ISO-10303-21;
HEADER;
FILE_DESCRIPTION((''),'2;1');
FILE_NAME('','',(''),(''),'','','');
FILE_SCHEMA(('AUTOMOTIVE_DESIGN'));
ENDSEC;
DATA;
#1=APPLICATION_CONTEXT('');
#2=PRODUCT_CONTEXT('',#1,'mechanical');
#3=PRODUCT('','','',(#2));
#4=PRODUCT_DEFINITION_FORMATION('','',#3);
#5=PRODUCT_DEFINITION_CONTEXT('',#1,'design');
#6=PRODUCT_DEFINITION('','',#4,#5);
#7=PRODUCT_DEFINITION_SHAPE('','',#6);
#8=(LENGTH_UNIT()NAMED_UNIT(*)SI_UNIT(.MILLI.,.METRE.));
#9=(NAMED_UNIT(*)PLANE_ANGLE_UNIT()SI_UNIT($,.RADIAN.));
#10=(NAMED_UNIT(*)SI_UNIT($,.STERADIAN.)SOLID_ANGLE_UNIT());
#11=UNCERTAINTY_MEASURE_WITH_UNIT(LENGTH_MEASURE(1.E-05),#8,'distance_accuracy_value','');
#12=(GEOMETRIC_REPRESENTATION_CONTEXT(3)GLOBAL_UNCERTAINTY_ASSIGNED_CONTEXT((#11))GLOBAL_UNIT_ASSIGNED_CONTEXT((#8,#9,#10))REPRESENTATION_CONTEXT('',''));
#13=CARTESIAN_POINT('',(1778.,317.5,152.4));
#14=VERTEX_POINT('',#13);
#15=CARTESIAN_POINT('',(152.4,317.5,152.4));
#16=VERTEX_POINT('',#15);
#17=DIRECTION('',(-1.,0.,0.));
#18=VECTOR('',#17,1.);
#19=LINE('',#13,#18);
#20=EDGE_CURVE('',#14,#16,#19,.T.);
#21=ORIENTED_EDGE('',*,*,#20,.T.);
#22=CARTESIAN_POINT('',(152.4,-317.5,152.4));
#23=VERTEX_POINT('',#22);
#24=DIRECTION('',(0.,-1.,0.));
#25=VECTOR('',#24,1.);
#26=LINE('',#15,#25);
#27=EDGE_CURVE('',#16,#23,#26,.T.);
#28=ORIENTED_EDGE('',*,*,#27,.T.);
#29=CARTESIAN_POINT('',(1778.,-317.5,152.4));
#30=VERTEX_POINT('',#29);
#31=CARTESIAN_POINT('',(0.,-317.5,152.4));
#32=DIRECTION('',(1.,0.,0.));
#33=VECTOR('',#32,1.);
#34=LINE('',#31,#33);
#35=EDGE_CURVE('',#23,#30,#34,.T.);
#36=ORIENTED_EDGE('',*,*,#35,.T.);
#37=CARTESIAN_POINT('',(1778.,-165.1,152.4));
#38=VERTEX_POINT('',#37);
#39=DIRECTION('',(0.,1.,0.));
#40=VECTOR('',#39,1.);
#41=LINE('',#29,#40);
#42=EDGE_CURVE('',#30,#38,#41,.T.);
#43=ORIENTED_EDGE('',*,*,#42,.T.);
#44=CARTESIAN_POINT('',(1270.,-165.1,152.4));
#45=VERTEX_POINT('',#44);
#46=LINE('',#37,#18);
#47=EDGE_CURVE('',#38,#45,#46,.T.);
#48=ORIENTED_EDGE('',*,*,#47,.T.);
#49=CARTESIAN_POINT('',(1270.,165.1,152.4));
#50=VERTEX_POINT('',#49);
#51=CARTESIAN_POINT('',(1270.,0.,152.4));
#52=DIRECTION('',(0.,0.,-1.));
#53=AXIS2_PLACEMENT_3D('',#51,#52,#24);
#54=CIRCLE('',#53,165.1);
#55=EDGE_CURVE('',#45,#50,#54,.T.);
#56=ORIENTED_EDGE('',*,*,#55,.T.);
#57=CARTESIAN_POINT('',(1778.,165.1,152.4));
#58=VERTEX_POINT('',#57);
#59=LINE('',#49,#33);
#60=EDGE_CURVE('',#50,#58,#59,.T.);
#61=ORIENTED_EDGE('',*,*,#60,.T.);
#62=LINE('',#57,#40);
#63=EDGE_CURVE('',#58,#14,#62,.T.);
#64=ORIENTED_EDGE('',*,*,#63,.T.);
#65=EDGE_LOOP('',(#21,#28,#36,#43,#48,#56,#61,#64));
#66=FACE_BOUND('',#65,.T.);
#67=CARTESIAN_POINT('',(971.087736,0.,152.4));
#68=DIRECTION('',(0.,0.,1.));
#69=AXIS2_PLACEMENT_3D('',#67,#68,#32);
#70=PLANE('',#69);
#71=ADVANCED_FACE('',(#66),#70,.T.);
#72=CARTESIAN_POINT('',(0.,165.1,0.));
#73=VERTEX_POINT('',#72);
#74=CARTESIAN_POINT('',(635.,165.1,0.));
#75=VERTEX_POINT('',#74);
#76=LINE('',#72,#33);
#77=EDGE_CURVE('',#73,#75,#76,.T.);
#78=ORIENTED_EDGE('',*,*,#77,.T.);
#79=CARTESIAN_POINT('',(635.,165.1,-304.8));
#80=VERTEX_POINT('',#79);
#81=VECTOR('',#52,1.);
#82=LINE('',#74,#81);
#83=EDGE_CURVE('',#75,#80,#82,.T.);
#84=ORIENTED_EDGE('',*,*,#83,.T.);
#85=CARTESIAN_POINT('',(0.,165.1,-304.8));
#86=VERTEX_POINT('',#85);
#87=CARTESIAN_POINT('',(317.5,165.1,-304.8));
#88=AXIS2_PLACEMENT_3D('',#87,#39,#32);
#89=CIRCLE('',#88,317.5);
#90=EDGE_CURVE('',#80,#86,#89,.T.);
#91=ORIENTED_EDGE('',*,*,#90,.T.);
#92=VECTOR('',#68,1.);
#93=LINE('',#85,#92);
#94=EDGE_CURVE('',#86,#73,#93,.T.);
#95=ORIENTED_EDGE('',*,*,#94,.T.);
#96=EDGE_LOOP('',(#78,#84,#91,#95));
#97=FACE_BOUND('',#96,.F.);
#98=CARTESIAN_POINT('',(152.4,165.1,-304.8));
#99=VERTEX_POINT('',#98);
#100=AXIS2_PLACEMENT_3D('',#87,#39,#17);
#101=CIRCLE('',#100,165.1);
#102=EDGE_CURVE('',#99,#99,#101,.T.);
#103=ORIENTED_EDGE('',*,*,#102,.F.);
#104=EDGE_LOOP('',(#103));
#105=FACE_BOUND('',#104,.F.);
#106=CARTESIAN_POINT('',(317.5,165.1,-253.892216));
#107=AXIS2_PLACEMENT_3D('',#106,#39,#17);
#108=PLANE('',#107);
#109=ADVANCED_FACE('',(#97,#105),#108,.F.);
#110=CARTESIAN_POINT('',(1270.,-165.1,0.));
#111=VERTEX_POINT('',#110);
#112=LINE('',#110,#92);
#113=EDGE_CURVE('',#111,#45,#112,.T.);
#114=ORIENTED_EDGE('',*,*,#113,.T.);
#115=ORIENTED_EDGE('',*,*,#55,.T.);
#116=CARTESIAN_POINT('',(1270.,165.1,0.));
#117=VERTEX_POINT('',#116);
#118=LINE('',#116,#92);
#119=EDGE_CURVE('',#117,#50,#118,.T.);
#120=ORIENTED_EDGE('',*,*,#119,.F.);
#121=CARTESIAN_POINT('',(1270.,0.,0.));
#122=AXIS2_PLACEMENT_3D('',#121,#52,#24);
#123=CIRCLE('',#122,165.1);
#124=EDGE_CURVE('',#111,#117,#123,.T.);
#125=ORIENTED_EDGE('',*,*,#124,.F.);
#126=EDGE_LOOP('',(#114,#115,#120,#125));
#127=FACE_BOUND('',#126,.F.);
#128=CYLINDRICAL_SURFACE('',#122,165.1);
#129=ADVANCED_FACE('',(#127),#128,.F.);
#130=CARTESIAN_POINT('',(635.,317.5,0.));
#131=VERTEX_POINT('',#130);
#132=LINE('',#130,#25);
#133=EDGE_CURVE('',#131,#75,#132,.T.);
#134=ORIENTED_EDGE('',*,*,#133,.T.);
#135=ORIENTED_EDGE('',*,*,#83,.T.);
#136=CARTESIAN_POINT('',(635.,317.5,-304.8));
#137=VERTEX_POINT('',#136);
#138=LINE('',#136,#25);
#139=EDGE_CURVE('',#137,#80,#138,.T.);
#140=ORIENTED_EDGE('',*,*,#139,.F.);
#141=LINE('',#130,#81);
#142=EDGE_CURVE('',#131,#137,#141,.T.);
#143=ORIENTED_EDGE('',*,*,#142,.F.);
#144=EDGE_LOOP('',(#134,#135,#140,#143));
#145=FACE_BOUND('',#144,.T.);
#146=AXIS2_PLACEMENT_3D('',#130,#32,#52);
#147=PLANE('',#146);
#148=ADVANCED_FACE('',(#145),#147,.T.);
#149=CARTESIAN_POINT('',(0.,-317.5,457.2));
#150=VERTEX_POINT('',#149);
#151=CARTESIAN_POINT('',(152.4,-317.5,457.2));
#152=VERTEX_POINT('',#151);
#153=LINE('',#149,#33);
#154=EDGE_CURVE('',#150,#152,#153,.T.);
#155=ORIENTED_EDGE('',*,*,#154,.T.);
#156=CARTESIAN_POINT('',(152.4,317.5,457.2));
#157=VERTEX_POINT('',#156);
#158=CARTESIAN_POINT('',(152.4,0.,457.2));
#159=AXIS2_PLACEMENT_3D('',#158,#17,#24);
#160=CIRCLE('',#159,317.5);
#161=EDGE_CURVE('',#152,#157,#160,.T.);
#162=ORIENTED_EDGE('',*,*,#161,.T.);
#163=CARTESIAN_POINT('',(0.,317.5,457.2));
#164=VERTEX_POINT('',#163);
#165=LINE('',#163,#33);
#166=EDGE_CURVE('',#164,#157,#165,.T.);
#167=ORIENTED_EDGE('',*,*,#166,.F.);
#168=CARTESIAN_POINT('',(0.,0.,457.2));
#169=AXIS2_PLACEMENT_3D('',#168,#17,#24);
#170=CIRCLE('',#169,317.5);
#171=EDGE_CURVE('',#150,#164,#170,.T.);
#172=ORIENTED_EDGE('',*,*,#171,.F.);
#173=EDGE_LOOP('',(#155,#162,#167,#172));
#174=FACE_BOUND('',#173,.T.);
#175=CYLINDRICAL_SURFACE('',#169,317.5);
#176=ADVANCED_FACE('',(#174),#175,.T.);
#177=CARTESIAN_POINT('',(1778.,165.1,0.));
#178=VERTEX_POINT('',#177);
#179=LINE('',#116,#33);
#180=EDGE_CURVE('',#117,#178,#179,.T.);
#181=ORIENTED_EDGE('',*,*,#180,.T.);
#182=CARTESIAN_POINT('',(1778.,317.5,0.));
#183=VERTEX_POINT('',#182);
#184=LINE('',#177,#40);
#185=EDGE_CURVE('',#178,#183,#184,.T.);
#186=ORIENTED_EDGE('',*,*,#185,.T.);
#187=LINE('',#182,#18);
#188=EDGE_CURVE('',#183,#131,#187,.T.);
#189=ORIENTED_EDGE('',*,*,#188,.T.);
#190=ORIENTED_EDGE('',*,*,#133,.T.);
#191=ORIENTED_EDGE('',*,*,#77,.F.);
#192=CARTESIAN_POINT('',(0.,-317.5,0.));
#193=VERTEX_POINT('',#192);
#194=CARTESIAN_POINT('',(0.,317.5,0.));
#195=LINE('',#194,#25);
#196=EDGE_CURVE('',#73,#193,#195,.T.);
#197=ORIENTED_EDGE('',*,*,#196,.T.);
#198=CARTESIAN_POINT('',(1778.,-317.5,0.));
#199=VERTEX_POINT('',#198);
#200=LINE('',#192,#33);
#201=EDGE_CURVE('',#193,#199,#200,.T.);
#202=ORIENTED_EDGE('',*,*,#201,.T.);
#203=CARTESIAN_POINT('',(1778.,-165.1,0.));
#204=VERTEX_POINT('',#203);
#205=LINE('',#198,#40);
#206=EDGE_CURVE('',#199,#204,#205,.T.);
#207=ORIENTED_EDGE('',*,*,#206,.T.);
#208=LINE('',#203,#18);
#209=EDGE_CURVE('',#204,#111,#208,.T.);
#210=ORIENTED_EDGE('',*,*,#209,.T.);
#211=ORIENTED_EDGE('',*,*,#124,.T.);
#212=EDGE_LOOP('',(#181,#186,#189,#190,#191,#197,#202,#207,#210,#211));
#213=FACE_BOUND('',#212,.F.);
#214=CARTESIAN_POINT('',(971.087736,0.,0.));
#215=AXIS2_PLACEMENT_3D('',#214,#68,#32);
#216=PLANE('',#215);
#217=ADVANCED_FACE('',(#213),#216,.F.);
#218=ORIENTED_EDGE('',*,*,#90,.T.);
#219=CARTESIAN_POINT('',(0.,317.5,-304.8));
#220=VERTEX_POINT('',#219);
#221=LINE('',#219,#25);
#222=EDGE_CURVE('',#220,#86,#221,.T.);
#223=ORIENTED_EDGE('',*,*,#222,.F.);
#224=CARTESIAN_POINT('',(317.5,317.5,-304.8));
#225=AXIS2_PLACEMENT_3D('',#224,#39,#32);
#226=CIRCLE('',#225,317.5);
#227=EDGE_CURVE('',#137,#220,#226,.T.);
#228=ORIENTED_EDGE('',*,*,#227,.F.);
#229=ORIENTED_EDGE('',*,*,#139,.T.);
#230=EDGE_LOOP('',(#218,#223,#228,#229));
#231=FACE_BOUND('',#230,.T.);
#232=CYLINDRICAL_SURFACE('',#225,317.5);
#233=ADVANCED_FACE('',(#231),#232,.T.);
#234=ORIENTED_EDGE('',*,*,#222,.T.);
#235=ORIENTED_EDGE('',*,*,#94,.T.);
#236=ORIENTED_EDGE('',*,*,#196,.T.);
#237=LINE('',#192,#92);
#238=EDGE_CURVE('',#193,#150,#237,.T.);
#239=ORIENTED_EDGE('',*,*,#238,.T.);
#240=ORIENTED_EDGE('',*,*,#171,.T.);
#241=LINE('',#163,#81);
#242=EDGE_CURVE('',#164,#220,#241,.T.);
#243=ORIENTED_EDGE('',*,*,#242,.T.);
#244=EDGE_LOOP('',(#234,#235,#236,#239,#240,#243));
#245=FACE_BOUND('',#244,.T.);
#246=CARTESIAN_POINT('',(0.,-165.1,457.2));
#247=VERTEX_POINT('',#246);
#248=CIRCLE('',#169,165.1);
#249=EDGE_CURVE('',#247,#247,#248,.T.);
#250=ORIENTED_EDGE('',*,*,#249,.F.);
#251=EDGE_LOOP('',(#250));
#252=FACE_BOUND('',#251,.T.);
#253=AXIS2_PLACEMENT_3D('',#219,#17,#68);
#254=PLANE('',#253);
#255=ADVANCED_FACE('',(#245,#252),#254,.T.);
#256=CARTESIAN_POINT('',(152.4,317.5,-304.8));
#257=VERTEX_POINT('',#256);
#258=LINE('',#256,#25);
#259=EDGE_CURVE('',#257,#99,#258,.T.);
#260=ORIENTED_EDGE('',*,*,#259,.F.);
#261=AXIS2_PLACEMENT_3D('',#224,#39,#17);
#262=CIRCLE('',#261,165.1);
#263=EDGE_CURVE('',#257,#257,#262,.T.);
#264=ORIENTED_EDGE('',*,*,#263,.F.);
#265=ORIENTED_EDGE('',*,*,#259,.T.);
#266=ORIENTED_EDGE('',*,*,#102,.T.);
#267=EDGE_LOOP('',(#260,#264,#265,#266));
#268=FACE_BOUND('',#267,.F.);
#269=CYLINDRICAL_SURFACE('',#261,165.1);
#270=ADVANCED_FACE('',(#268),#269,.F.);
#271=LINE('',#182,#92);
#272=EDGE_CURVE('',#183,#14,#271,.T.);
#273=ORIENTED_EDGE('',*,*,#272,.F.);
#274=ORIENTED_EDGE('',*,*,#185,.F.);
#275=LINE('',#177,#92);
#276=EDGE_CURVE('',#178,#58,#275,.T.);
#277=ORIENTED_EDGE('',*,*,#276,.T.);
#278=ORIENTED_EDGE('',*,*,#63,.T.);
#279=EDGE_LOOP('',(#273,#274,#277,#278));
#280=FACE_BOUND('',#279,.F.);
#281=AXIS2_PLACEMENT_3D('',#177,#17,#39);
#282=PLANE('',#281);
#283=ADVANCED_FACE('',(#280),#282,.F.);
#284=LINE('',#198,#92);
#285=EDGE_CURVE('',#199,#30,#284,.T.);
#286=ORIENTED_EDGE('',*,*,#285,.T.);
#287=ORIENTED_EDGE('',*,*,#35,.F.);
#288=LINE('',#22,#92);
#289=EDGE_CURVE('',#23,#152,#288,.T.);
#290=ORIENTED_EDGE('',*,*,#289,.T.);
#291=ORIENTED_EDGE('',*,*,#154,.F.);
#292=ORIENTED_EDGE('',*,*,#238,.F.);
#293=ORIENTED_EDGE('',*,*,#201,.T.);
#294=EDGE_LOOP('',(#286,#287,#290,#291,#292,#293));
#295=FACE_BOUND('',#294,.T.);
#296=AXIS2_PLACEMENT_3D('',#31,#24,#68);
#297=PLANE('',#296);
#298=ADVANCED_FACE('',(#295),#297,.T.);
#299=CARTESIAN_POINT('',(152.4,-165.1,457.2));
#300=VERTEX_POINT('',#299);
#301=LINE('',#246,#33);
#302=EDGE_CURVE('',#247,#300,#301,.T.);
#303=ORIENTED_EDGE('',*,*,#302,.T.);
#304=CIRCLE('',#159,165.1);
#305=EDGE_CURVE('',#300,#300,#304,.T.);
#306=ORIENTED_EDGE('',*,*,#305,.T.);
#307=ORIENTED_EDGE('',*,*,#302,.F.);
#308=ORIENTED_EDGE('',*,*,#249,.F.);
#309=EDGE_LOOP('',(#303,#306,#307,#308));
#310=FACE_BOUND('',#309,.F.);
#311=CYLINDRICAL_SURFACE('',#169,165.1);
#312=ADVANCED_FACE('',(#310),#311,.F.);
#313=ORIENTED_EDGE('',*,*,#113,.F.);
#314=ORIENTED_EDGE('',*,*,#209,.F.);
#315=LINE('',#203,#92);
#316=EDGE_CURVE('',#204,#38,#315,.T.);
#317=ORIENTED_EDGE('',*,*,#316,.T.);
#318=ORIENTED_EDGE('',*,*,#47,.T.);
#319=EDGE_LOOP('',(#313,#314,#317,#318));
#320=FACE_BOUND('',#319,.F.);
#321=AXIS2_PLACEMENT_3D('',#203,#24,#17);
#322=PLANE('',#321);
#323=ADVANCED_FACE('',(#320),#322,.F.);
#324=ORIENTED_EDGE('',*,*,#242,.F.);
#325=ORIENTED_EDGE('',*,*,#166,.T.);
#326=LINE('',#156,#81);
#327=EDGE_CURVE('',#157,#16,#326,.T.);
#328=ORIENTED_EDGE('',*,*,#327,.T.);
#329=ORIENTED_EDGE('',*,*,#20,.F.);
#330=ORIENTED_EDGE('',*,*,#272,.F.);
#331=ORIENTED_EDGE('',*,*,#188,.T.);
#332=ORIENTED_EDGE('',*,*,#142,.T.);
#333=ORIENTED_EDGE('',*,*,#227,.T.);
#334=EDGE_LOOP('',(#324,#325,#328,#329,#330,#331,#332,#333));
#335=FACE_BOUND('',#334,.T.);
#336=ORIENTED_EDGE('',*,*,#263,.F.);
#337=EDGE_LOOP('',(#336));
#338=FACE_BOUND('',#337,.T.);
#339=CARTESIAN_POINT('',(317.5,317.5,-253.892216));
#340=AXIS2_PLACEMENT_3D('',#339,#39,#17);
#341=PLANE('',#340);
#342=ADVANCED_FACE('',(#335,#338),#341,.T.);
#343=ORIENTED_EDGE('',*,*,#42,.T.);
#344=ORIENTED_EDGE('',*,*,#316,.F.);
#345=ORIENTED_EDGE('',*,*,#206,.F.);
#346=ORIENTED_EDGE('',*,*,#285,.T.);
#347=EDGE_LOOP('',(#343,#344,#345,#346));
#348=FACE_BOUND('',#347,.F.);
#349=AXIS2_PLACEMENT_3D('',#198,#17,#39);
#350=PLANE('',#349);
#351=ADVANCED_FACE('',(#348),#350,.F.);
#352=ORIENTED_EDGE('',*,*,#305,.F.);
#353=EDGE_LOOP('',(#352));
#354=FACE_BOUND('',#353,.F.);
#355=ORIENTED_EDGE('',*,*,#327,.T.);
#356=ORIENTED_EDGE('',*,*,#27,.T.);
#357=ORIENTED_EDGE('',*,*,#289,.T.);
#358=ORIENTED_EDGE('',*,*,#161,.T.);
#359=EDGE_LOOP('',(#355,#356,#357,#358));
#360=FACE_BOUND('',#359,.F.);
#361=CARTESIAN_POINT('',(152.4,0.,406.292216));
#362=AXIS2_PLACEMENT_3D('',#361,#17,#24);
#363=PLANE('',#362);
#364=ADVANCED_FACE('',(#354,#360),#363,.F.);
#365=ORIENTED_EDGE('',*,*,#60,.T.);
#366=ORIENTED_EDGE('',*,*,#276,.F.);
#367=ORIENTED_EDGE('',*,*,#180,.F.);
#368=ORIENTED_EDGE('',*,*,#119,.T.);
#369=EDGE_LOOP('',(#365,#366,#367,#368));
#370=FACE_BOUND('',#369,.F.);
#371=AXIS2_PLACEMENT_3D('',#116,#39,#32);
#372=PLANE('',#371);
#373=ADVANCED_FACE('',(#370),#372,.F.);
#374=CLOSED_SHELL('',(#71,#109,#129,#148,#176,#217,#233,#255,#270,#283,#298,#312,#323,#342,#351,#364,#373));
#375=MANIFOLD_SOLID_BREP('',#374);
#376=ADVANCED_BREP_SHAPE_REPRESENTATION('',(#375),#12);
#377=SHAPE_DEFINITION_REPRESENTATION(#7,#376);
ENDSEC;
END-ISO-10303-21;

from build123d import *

# Parameters (mm, degrees)
F1_DEPTH = 152.4
F2_R     = 165.1
F3_DEPTH = 152.4
F4_R     = 165.1
F5_DEPTH = 152.4


with BuildPart() as f1:
    # F0 (on Top) → F1 (new body)
    with BuildSketch(Plane.XY):
        with BuildLine():
            Line((0, 317.5), (0, -317.5))
            Line((0, -317.5), (1778, -317.5))
            Line((1778, -317.5), (1778, -165.1))
            Line((1778, -165.1), (1270, -165.1))
            ThreePointArc((1270, -165.1), (1104.9, 0), (1270, 165.1))
            Line((1270, 165.1), (1778, 165.1))
            Line((1778, 165.1), (1778, 317.5))
            Line((1778, 317.5), (0, 317.5))
        make_face()
    extrude(amount=F1_DEPTH)

    # F2 (on face) → F3 (join)
    with BuildSketch(Plane(origin=(0, 0, 0), x_dir=(0, -1, 0), z_dir=(-1, 0, 0))):
        with BuildLine():
            Line((-317.5, 457.2), (-317.5, 152.4))
            Line((-317.5, 152.4), (317.5, 152.4))
            Line((317.5, 152.4), (317.5, 457.2))
            ThreePointArc((317.5, 457.2), (0, 774.7), (-317.5, 457.2))
        make_face()
        with Locations((0, 457.2)):
            Circle(F2_R, mode=Mode.SUBTRACT)
    extrude(amount=-F3_DEPTH)

    # F4 (on face) → F5 (join)
    with BuildSketch(Plane(origin=(0, 317.5, 0), x_dir=(-1, 0, 0), z_dir=(0, 1, 0))):
        with BuildLine():
            Line((0, -304.8), (0, 0))
            Line((0, 0), (-635, 0))
            Line((-635, 0), (-635, -304.8))
            ThreePointArc((-635, -304.8), (-317.5, -622.3), (0, -304.8))
        make_face()
        with Locations((-317.5, -304.8)):
            Circle(F4_R, mode=Mode.SUBTRACT)
    extrude(amount=-F5_DEPTH)


solid = f1.part
